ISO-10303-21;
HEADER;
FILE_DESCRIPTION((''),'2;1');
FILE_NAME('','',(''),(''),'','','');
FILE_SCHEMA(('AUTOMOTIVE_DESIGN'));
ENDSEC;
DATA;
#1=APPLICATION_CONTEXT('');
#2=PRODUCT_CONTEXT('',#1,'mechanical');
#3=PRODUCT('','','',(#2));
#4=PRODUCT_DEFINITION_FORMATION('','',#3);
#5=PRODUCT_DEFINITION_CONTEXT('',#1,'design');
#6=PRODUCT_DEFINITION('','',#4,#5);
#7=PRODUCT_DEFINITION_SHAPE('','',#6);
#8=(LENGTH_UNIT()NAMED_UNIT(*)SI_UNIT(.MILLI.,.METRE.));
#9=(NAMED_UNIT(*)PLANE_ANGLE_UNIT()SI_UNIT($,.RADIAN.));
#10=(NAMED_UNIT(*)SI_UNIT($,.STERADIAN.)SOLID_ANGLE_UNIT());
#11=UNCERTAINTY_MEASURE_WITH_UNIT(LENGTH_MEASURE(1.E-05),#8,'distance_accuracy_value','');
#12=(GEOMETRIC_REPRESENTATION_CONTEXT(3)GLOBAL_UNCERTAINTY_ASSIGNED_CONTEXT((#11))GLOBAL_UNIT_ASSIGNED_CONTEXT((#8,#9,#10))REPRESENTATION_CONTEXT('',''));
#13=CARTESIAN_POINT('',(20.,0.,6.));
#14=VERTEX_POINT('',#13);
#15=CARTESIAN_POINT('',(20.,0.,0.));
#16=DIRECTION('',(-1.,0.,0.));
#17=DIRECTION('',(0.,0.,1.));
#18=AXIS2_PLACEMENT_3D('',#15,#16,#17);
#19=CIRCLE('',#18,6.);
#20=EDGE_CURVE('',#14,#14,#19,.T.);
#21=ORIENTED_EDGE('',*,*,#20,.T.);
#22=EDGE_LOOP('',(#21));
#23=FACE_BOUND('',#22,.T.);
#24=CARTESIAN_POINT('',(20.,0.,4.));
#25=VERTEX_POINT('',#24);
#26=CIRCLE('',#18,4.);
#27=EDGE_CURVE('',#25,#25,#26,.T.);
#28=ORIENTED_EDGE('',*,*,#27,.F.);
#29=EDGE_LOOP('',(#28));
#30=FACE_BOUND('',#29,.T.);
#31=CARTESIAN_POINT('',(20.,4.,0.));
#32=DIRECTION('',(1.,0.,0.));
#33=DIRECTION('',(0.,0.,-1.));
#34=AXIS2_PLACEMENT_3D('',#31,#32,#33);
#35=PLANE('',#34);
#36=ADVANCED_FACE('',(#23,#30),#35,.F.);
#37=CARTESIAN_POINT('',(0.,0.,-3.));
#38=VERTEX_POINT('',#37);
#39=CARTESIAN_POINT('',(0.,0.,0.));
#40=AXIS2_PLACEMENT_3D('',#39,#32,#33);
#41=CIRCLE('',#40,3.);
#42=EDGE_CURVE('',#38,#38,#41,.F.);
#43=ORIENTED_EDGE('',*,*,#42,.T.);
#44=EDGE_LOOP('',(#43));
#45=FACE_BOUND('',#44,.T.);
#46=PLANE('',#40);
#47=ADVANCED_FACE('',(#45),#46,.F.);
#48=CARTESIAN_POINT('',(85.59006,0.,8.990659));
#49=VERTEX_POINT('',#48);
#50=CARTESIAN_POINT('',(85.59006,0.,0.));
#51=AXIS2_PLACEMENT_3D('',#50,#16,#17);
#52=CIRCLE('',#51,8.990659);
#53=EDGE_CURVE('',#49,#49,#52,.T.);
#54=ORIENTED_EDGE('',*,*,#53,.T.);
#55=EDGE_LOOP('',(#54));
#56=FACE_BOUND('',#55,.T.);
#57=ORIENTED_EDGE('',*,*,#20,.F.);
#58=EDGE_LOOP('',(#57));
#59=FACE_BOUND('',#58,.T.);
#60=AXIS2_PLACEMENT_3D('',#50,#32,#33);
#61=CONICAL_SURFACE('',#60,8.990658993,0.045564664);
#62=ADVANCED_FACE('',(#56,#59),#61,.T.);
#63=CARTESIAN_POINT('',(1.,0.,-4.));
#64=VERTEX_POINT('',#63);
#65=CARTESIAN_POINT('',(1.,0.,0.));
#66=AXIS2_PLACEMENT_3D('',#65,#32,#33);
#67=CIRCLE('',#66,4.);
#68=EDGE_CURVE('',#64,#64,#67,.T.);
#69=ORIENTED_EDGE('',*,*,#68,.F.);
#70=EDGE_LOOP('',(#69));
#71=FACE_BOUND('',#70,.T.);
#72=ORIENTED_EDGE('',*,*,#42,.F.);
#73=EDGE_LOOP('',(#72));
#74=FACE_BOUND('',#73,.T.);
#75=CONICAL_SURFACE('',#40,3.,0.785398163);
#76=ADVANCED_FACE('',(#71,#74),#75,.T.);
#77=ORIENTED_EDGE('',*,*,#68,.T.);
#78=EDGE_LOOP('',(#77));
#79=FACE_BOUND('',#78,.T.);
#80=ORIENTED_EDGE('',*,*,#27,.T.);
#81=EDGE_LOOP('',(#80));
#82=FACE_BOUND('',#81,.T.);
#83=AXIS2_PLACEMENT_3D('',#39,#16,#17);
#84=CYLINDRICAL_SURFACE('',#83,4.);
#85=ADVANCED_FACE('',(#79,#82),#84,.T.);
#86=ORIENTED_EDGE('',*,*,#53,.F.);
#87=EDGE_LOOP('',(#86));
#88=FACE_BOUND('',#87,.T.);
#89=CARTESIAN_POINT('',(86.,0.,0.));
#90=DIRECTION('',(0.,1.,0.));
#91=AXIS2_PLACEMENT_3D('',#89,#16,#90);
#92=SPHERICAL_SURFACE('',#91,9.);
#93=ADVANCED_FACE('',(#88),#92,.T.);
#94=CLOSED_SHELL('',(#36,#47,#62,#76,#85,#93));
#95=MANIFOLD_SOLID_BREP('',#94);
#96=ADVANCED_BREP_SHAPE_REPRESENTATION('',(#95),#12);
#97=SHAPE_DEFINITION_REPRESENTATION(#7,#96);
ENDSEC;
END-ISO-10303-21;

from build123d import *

# Parameters (mm, degrees)
CHAMFER_1_SIZE = 1


with BuildPart() as part:
    # Эскиз1 → Повернуть1 (revolve)
    with BuildSketch(Plane.XY, mode=Mode.PRIVATE) as revolve_1_sk:
        with BuildLine():
            Line((0, 0), (0, 4))
            Line((0, 4), (20, 4))
            Line((20, 4), (20, 6))
            Line((20, 6), (85.590059908, 8.990658993))
            ThreePointArc((85.590059908, 8.990658993), (92.217336213, 6.507282875), (95, 0))
            Line((95, 0), (86, 0))
            Line((86, 0), (0, 0))
        make_face()
    revolve(revolve_1_sk.sketch.rotate(Axis((0, 0, 0), (1, 0, 0)), 90), axis=Axis((0, 0, 0), (1, 0, 0)))

    # Фаска1
    chamfer_1_edges = [part.edges().sort_by_distance(p)[0] for p in [
        (0, 0, -4),
    ]]
    chamfer(chamfer_1_edges, length=CHAMFER_1_SIZE)


solid = part.part
